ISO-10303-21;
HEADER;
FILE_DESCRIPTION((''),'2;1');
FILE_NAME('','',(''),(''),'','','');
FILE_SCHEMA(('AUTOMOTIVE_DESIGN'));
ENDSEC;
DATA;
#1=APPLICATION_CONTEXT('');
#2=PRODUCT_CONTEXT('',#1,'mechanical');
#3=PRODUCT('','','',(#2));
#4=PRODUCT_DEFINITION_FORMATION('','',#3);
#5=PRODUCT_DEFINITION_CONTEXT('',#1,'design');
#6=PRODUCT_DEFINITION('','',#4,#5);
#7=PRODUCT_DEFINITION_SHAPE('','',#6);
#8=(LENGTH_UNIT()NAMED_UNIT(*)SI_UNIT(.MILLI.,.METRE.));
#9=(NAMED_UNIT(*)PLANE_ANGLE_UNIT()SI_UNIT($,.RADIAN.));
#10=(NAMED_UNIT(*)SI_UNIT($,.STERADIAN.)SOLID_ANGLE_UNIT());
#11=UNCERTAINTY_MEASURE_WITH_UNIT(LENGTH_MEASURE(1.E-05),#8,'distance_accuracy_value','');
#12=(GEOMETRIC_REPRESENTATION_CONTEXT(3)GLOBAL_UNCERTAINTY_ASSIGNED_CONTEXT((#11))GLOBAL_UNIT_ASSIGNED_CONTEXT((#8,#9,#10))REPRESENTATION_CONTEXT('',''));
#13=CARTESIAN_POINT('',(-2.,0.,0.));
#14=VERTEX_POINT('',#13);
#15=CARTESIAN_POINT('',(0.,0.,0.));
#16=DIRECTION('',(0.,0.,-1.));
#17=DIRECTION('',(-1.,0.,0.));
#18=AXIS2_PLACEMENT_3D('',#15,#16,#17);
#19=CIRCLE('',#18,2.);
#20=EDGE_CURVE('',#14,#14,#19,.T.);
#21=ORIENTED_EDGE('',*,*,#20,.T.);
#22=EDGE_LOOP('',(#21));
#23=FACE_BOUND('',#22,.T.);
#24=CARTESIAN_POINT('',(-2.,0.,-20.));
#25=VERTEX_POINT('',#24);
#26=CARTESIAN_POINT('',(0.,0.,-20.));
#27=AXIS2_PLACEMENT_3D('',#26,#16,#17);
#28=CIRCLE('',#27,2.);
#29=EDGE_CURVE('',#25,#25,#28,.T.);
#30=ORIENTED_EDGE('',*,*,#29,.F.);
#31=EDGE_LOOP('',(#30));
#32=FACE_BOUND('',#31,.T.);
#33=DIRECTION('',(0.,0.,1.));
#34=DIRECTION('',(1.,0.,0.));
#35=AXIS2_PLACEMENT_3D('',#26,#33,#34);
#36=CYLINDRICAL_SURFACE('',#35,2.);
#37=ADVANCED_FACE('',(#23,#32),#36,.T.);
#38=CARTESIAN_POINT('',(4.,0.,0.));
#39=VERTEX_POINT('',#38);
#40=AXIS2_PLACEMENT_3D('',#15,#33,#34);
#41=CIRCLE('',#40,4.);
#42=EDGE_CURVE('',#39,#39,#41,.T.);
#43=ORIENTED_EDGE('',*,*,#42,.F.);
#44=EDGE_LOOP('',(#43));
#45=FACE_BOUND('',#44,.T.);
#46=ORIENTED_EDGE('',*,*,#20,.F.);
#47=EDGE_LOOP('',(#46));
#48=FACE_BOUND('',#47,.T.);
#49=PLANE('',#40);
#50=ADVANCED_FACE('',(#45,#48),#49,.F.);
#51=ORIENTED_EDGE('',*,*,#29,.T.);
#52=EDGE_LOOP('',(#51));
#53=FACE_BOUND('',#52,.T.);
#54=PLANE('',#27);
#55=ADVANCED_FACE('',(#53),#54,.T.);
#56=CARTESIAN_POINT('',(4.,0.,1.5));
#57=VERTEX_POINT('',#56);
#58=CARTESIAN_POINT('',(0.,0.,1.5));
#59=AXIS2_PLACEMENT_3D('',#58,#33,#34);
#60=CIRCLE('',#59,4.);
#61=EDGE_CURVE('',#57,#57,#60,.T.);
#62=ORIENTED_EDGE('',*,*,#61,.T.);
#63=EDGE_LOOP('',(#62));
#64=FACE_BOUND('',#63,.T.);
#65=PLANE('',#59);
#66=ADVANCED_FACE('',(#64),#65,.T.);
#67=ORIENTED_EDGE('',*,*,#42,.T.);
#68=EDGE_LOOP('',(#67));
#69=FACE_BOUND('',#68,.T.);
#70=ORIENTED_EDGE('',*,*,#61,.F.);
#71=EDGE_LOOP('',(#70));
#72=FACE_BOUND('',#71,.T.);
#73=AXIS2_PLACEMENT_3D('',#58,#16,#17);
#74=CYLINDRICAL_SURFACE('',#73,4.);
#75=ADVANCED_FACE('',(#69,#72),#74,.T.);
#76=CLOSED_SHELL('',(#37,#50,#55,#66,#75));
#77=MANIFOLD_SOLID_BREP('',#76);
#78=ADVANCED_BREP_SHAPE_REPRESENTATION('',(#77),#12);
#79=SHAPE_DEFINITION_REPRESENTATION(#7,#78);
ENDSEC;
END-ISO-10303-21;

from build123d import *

# Parameters (mm, degrees)
ESQUISSE1_R        = 4
BOSS_EXTRU_1_DEPTH = 1.5
ESQUISSE2_R        = 2
BOSS_EXTRU_2_DEPTH = 20


with BuildPart() as part:
    # Esquisse1 → Boss.-Extru.1 (new body)
    with BuildSketch(Plane.XY):
        Circle(ESQUISSE1_R)
    extrude(amount=BOSS_EXTRU_1_DEPTH)

    # Esquisse2 → Boss.-Extru.2 (add)
    with BuildSketch(Plane(origin=(0, 0, 0), x_dir=(-1, 0, 0), z_dir=(0, 0, -1))):
        Circle(ESQUISSE2_R)
    extrude(amount=BOSS_EXTRU_2_DEPTH)


solid = part.part
